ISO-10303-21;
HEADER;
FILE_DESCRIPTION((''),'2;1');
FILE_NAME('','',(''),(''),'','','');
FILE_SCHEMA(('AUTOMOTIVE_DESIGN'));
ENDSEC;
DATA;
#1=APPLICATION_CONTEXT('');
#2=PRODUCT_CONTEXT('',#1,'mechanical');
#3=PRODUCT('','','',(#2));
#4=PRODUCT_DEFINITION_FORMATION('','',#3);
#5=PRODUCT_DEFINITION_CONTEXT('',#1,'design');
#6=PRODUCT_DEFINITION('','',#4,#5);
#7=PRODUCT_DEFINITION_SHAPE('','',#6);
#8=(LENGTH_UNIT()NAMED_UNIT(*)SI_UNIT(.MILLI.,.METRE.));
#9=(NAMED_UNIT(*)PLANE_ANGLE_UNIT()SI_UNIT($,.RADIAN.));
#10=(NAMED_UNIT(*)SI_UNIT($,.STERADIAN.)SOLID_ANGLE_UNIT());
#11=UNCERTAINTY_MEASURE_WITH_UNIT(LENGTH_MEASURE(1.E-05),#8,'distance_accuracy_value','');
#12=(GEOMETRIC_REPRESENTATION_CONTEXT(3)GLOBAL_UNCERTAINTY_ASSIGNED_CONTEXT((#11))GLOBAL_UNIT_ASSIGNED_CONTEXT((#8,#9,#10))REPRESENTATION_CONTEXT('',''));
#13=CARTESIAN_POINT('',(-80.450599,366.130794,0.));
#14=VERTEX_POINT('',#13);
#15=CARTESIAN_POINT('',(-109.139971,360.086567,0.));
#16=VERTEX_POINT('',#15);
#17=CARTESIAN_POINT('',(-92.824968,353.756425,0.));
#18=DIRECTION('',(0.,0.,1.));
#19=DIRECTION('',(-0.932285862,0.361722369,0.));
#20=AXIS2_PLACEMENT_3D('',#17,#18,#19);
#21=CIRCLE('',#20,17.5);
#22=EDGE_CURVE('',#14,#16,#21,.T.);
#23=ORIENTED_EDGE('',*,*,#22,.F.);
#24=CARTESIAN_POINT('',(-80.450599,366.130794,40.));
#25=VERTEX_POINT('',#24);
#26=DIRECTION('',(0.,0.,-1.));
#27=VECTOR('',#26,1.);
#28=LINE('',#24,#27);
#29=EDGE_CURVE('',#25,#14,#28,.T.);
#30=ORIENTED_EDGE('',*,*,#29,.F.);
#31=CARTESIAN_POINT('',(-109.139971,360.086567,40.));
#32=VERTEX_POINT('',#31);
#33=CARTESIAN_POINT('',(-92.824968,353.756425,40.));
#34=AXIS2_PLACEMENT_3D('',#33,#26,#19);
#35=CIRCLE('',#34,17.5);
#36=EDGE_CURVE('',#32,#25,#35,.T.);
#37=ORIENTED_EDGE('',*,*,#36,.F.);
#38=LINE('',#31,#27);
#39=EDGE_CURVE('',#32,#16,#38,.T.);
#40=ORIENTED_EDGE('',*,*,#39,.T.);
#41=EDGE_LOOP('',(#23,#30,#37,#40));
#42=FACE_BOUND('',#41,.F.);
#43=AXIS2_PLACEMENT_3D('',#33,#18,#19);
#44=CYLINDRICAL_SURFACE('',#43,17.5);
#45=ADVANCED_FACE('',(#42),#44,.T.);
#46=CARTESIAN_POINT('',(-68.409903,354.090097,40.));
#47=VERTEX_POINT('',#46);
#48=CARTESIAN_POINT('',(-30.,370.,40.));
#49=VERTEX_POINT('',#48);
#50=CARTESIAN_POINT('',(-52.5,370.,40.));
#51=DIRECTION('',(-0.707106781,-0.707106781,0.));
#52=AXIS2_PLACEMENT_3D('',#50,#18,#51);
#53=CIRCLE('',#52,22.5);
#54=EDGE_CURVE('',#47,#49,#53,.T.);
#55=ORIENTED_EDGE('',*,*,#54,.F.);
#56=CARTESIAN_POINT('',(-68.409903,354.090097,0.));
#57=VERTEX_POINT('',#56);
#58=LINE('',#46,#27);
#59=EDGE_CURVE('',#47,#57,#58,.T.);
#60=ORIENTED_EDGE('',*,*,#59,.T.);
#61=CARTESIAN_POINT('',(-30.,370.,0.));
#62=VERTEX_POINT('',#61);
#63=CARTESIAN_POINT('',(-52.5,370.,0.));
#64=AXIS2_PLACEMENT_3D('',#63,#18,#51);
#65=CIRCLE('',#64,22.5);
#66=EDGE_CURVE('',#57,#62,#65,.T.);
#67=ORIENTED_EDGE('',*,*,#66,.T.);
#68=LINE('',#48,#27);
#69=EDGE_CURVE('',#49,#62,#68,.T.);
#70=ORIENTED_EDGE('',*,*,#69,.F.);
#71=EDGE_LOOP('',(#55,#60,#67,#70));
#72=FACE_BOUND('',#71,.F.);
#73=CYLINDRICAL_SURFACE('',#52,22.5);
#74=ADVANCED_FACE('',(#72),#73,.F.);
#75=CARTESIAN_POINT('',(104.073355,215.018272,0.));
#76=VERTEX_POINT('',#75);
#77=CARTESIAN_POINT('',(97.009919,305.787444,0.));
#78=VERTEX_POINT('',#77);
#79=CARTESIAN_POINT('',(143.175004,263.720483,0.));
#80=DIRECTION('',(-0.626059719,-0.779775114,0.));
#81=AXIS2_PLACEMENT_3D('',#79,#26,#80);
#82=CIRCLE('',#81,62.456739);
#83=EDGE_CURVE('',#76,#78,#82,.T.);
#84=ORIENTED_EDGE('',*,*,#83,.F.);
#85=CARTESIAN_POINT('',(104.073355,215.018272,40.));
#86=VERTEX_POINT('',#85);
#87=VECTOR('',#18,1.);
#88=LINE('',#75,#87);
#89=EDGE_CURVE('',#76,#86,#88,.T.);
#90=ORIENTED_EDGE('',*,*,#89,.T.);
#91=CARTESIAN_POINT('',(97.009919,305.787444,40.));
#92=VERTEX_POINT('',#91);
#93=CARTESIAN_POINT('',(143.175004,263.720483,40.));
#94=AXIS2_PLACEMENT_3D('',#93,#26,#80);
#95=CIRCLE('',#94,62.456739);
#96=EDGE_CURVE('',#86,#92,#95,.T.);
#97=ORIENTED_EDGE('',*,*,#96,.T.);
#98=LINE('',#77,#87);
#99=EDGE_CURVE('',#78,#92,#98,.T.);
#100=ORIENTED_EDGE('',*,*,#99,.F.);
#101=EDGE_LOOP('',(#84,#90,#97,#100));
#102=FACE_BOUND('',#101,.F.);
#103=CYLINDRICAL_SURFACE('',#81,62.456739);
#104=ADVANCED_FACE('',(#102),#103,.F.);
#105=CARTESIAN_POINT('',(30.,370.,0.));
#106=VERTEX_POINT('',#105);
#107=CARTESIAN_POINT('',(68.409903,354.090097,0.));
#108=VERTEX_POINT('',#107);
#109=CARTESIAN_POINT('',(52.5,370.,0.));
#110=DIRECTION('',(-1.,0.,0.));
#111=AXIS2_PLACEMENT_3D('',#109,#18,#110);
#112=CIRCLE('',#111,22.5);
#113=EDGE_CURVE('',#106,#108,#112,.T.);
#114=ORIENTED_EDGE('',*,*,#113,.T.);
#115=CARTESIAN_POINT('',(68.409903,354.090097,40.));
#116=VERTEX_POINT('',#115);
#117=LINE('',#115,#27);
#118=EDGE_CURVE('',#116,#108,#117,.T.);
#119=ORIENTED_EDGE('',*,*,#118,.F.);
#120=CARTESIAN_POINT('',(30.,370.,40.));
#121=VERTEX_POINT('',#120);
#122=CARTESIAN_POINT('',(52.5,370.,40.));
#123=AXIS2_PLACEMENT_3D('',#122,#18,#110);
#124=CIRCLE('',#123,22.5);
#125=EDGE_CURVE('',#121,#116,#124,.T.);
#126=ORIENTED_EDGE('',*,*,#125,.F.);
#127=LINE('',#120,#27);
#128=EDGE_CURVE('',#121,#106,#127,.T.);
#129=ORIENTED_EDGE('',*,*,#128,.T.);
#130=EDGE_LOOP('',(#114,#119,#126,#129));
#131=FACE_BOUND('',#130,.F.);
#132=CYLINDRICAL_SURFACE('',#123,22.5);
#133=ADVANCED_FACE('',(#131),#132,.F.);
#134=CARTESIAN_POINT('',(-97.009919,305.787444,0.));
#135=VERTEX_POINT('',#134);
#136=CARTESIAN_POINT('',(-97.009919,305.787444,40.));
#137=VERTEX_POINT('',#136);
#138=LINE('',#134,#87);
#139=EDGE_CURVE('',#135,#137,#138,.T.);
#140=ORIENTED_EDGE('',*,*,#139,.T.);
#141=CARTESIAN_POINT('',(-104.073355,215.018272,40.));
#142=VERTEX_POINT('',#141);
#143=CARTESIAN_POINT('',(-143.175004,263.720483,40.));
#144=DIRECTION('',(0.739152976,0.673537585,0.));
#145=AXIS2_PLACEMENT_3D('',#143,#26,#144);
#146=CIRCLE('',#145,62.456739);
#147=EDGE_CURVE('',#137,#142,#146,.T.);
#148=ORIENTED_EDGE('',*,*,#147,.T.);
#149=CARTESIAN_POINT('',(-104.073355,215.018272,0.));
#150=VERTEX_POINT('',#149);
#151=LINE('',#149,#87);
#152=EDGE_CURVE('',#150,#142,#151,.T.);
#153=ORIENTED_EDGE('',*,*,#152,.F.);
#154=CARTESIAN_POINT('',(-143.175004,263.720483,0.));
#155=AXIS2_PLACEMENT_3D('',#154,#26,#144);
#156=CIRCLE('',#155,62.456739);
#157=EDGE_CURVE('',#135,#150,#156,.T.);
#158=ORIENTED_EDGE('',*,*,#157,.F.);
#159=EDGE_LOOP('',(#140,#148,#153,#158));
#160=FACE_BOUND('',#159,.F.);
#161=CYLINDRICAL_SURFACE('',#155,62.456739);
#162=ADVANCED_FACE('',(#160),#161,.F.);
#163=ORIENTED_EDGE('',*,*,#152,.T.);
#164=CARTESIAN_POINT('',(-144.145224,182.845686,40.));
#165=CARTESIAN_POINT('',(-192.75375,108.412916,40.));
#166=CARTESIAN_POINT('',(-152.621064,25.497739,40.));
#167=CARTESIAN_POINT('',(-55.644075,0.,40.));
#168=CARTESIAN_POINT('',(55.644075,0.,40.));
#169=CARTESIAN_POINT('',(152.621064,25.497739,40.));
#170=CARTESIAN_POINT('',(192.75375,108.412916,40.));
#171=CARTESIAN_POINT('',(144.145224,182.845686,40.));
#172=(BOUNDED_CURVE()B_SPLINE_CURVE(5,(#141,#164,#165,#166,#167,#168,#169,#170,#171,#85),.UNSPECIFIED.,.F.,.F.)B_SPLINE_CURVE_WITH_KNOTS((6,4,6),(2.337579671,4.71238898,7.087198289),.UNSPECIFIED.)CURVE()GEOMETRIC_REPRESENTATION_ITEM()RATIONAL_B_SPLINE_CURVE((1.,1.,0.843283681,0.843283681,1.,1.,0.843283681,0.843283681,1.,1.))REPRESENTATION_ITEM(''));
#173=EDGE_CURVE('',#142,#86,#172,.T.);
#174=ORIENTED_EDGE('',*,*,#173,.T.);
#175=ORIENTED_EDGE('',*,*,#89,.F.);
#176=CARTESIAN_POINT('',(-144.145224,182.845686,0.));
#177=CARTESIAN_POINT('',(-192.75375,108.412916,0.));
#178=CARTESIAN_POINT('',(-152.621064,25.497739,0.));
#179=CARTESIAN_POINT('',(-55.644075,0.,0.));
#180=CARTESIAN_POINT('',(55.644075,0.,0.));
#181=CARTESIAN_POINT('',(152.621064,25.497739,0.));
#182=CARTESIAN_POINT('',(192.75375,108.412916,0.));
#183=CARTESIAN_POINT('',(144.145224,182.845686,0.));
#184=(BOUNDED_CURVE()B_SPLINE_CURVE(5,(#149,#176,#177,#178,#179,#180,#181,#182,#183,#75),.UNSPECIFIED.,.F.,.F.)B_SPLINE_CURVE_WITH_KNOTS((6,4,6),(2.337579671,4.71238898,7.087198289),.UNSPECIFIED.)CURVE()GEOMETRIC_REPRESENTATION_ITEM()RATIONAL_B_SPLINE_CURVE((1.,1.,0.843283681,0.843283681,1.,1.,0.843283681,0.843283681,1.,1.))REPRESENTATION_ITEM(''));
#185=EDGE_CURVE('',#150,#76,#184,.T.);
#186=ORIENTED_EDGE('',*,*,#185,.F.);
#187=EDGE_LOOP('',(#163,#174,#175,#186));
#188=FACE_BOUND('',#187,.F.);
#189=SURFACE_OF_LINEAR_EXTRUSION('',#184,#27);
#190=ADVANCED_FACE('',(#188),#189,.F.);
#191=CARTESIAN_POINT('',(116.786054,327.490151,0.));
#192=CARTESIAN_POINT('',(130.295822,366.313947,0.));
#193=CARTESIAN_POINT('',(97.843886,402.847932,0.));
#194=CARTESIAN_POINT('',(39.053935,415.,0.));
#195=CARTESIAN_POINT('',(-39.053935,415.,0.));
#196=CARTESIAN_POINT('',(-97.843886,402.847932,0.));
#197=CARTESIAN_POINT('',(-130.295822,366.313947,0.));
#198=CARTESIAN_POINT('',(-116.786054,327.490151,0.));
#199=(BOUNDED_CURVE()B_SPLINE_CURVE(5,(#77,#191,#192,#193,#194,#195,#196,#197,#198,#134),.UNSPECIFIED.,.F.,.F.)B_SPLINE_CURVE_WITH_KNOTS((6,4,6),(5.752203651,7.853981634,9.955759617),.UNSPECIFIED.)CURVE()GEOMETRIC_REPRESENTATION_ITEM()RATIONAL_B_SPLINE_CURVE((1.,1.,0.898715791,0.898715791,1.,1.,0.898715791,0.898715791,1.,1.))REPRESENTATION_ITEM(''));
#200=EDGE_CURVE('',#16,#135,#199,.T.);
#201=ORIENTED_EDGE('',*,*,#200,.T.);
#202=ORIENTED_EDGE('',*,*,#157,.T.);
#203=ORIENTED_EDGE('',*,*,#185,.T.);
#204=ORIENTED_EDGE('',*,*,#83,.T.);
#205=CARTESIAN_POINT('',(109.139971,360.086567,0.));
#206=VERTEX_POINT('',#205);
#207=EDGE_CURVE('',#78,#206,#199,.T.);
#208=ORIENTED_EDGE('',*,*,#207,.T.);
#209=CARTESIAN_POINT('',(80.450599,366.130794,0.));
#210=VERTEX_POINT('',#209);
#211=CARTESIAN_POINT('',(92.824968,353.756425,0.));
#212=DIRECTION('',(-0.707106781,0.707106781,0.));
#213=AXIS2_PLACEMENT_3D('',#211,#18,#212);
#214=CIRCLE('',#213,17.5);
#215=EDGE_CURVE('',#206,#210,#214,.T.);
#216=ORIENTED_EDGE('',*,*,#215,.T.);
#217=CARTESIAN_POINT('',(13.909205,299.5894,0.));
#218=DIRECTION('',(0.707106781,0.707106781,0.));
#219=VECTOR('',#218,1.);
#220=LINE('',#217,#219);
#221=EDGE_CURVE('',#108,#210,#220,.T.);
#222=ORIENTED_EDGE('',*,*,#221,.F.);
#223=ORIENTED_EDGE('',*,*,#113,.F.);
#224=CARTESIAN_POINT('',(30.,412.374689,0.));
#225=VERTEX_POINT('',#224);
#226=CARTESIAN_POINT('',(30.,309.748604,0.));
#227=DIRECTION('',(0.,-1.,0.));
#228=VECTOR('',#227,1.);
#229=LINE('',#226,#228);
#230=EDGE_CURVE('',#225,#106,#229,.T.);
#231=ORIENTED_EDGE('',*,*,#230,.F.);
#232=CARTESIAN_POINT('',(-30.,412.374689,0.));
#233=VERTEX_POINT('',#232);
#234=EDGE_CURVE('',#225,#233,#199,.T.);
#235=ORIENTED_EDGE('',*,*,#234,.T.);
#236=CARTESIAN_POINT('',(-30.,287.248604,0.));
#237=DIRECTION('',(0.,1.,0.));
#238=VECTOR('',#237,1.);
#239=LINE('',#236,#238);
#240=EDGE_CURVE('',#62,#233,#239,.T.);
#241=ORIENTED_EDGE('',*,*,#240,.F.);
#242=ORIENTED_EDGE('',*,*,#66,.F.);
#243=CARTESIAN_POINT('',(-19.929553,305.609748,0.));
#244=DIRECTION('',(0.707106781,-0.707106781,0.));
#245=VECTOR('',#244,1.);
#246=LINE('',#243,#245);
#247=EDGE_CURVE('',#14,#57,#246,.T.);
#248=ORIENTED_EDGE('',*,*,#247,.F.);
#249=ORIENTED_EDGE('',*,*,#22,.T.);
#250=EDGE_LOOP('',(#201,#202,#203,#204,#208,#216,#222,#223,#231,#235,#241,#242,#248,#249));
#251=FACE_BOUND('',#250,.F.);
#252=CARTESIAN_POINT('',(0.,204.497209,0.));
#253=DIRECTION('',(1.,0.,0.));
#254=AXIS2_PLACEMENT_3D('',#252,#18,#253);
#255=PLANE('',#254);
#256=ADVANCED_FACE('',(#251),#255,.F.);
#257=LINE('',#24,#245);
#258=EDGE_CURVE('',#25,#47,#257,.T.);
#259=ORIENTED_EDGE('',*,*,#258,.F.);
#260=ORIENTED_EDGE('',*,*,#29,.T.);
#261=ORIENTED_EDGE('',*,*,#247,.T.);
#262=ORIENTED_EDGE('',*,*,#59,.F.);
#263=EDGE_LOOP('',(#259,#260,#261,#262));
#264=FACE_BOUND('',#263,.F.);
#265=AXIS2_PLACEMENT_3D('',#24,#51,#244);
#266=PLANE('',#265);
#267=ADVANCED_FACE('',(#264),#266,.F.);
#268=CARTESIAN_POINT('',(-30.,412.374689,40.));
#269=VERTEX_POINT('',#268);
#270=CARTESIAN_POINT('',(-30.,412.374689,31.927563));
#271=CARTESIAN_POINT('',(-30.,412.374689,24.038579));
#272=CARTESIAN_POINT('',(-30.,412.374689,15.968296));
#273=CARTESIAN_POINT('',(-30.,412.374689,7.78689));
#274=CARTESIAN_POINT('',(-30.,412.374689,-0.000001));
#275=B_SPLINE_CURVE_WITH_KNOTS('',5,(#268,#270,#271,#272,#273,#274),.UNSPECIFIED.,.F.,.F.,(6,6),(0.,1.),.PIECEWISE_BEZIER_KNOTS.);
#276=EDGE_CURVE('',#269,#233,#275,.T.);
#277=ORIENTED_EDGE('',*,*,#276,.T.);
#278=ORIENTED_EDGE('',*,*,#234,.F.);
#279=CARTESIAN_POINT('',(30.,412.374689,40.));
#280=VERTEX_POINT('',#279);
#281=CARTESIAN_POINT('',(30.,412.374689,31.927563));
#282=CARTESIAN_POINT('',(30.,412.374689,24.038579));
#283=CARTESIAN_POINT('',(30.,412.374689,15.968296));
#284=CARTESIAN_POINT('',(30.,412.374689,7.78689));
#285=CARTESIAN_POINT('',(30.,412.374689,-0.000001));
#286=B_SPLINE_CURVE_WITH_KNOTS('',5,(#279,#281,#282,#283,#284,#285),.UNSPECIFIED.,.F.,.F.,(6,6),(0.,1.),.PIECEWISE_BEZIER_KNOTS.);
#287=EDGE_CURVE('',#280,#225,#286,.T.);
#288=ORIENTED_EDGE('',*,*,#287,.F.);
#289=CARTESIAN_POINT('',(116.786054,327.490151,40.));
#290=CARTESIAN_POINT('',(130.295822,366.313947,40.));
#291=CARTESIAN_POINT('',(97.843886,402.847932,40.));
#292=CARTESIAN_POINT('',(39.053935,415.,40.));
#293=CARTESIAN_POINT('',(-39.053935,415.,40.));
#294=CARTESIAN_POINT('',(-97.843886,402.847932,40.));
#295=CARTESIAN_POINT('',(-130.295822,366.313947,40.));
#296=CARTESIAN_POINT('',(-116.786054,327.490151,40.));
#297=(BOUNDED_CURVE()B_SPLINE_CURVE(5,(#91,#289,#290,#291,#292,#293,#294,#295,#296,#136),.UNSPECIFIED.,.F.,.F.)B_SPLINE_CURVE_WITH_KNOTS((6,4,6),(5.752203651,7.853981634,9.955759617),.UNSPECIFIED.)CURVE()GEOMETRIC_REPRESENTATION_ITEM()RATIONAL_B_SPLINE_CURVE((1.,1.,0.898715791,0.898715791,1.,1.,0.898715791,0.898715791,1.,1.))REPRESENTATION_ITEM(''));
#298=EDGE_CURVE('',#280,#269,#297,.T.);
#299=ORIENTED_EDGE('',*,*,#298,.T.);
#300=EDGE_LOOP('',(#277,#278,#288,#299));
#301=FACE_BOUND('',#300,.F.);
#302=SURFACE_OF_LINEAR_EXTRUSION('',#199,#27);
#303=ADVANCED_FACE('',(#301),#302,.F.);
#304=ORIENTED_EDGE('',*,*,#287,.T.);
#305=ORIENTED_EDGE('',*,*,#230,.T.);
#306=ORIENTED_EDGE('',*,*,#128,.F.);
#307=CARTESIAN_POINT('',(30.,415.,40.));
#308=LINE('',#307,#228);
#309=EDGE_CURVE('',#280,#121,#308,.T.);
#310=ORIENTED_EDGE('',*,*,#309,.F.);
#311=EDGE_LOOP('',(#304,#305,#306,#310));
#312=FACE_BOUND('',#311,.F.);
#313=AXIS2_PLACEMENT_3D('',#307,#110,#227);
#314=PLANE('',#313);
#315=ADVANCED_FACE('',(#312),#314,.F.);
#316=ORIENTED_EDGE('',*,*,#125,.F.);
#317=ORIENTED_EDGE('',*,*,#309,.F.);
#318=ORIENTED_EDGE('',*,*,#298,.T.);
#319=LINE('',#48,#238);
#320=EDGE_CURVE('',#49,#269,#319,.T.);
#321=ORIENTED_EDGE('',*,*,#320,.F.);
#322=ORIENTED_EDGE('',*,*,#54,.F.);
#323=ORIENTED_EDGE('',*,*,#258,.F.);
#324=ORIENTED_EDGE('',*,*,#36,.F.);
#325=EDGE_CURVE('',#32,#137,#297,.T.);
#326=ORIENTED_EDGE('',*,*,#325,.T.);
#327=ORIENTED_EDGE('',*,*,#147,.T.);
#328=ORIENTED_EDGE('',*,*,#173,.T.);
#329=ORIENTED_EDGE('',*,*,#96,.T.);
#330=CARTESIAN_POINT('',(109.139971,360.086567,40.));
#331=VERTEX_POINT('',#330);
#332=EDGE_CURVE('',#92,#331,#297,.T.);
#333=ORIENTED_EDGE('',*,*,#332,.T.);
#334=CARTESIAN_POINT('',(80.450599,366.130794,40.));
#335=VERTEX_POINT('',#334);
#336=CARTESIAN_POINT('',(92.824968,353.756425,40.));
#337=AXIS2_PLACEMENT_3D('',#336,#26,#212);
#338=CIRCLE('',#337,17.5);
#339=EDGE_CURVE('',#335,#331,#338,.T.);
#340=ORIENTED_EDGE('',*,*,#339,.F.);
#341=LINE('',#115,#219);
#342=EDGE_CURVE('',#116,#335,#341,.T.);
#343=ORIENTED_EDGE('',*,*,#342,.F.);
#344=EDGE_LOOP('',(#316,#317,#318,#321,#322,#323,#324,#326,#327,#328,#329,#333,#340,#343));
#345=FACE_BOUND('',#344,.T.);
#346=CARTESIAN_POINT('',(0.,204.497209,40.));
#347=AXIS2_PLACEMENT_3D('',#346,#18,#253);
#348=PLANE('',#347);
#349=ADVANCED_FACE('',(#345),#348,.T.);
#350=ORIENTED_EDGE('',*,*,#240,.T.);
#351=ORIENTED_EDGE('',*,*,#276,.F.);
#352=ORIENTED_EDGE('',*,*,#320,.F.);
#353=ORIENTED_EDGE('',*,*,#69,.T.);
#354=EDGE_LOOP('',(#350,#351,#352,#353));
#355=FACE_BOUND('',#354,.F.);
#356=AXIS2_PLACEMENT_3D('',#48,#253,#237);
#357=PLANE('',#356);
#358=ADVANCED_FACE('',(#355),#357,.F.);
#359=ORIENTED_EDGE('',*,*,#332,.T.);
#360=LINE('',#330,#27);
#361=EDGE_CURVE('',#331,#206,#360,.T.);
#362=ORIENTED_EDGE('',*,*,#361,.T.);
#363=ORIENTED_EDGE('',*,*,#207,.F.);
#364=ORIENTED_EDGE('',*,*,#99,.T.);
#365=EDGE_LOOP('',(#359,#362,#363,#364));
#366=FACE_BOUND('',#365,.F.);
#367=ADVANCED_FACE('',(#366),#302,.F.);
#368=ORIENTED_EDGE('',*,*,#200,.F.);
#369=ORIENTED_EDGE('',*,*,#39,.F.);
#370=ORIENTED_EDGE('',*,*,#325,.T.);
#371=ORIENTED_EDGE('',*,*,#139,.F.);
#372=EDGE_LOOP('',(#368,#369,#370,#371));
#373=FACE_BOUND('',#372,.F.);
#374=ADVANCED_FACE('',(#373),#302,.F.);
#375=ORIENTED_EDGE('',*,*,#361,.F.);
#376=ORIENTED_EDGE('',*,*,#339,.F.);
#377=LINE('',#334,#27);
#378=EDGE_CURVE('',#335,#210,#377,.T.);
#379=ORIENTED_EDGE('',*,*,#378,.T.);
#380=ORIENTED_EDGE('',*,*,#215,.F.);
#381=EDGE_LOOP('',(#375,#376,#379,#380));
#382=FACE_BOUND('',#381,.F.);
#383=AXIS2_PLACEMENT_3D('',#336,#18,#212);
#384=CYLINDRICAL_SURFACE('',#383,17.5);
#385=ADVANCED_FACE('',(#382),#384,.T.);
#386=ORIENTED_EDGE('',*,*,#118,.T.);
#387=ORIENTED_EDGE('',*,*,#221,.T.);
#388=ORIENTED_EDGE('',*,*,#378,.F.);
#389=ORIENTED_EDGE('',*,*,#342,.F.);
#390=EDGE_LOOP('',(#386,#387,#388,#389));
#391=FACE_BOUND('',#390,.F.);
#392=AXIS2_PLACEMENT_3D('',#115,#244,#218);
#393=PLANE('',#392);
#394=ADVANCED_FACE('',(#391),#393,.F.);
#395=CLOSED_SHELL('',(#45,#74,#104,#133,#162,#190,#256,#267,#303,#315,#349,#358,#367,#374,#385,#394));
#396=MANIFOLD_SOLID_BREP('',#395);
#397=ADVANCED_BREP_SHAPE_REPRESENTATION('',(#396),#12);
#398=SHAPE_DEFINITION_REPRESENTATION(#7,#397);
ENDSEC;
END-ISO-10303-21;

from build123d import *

# Parameters (mm, degrees)
F1_DEPTH = 40
F3_DEPTH = 40.0010001


with BuildPart() as f1:
    # F0 (on Top) → F1 (new body)
    with BuildSketch(Plane.XY):
        with BuildLine():
            ThreePointArc((-97.0099194342, 305.7874443929), (-80.9065160677, 258.8749010222), (-104.0733554835, 215.0182723673))
            add(Edge.make_bspline(
                [(-104.0733554835, 215.0182723673), (-371.8847042675, 0), (0, 0)],
                knots=[2.3375796713, 2.3375796713, 2.3375796713, 4.7123889804, 4.7123889804, 4.7123889804], degree=2, weights=[1, 0.374068056, 1]))
            add(Edge.make_bspline(
                [(0, 0), (371.8847042675, 0), (104.0733554835, 215.0182723673)],
                knots=[4.7123889804, 4.7123889804, 4.7123889804, 7.0871982895, 7.0871982895, 7.0871982895], degree=2, weights=[1, 0.374068056, 1]))
            ThreePointArc((104.0733554835, 215.0182723673), (80.9065160677, 258.8749010222), (97.0099194342, 305.7874443929))
            add(Edge.make_bspline(
                [(97.0099194342, 305.7874443929), (196.5275609444, 415), (0, 415)],
                knots=[5.7522036511, 5.7522036511, 5.7522036511, 7.853981634, 7.853981634, 7.853981634], degree=2, weights=[1, 0.4967997195, 1]))
            add(Edge.make_bspline(
                [(0, 415), (-196.5275609444, 415), (-97.0099194342, 305.7874443929)],
                knots=[4.7123889804, 4.7123889804, 4.7123889804, 6.8141669633, 6.8141669633, 6.8141669633], degree=2, weights=[1, 0.4967997195, 1]))
        make_face()
    extrude(amount=F1_DEPTH)

    # F2 (on face) → F3 (cut, through all)
    with BuildSketch(Plane.XY.offset(40)):
        with BuildLine():
            Line((87.8338262206, 415), (30, 415))
            Line((30, 415), (30, 370))
            ThreePointArc((30, 370), (43.8896227718, 349.2127105185), (68.4099025767, 354.0900974233))
            Line((68.4099025767, 354.0900974233), (80.4505992859, 366.1307941325))
            ThreePointArc((80.4505992859, 366.1307941325), (96.4326430451, 370.8805219476), (109.1399705343, 360.0865669209))
            Line((109.1399705343, 360.0865669209), (87.8338262206, 415))
        make_face()
        with BuildLine():
            Line((-30, 370), (-30, 415))
            Line((-30, 415), (-87.8338262206, 415))
            Line((-87.8338262206, 415), (-109.1399705343, 360.0865669209))
            ThreePointArc((-109.1399705343, 360.0865669209), (-96.4326430451, 370.8805219476), (-80.4505992859, 366.1307941325))
            Line((-80.4505992859, 366.1307941325), (-68.4099025767, 354.0900974233))
            ThreePointArc((-68.4099025767, 354.0900974233), (-43.8896227718, 349.2127105185), (-30, 370))
        make_face()
    extrude(amount=-F3_DEPTH, mode=Mode.SUBTRACT)


solid = f1.part
